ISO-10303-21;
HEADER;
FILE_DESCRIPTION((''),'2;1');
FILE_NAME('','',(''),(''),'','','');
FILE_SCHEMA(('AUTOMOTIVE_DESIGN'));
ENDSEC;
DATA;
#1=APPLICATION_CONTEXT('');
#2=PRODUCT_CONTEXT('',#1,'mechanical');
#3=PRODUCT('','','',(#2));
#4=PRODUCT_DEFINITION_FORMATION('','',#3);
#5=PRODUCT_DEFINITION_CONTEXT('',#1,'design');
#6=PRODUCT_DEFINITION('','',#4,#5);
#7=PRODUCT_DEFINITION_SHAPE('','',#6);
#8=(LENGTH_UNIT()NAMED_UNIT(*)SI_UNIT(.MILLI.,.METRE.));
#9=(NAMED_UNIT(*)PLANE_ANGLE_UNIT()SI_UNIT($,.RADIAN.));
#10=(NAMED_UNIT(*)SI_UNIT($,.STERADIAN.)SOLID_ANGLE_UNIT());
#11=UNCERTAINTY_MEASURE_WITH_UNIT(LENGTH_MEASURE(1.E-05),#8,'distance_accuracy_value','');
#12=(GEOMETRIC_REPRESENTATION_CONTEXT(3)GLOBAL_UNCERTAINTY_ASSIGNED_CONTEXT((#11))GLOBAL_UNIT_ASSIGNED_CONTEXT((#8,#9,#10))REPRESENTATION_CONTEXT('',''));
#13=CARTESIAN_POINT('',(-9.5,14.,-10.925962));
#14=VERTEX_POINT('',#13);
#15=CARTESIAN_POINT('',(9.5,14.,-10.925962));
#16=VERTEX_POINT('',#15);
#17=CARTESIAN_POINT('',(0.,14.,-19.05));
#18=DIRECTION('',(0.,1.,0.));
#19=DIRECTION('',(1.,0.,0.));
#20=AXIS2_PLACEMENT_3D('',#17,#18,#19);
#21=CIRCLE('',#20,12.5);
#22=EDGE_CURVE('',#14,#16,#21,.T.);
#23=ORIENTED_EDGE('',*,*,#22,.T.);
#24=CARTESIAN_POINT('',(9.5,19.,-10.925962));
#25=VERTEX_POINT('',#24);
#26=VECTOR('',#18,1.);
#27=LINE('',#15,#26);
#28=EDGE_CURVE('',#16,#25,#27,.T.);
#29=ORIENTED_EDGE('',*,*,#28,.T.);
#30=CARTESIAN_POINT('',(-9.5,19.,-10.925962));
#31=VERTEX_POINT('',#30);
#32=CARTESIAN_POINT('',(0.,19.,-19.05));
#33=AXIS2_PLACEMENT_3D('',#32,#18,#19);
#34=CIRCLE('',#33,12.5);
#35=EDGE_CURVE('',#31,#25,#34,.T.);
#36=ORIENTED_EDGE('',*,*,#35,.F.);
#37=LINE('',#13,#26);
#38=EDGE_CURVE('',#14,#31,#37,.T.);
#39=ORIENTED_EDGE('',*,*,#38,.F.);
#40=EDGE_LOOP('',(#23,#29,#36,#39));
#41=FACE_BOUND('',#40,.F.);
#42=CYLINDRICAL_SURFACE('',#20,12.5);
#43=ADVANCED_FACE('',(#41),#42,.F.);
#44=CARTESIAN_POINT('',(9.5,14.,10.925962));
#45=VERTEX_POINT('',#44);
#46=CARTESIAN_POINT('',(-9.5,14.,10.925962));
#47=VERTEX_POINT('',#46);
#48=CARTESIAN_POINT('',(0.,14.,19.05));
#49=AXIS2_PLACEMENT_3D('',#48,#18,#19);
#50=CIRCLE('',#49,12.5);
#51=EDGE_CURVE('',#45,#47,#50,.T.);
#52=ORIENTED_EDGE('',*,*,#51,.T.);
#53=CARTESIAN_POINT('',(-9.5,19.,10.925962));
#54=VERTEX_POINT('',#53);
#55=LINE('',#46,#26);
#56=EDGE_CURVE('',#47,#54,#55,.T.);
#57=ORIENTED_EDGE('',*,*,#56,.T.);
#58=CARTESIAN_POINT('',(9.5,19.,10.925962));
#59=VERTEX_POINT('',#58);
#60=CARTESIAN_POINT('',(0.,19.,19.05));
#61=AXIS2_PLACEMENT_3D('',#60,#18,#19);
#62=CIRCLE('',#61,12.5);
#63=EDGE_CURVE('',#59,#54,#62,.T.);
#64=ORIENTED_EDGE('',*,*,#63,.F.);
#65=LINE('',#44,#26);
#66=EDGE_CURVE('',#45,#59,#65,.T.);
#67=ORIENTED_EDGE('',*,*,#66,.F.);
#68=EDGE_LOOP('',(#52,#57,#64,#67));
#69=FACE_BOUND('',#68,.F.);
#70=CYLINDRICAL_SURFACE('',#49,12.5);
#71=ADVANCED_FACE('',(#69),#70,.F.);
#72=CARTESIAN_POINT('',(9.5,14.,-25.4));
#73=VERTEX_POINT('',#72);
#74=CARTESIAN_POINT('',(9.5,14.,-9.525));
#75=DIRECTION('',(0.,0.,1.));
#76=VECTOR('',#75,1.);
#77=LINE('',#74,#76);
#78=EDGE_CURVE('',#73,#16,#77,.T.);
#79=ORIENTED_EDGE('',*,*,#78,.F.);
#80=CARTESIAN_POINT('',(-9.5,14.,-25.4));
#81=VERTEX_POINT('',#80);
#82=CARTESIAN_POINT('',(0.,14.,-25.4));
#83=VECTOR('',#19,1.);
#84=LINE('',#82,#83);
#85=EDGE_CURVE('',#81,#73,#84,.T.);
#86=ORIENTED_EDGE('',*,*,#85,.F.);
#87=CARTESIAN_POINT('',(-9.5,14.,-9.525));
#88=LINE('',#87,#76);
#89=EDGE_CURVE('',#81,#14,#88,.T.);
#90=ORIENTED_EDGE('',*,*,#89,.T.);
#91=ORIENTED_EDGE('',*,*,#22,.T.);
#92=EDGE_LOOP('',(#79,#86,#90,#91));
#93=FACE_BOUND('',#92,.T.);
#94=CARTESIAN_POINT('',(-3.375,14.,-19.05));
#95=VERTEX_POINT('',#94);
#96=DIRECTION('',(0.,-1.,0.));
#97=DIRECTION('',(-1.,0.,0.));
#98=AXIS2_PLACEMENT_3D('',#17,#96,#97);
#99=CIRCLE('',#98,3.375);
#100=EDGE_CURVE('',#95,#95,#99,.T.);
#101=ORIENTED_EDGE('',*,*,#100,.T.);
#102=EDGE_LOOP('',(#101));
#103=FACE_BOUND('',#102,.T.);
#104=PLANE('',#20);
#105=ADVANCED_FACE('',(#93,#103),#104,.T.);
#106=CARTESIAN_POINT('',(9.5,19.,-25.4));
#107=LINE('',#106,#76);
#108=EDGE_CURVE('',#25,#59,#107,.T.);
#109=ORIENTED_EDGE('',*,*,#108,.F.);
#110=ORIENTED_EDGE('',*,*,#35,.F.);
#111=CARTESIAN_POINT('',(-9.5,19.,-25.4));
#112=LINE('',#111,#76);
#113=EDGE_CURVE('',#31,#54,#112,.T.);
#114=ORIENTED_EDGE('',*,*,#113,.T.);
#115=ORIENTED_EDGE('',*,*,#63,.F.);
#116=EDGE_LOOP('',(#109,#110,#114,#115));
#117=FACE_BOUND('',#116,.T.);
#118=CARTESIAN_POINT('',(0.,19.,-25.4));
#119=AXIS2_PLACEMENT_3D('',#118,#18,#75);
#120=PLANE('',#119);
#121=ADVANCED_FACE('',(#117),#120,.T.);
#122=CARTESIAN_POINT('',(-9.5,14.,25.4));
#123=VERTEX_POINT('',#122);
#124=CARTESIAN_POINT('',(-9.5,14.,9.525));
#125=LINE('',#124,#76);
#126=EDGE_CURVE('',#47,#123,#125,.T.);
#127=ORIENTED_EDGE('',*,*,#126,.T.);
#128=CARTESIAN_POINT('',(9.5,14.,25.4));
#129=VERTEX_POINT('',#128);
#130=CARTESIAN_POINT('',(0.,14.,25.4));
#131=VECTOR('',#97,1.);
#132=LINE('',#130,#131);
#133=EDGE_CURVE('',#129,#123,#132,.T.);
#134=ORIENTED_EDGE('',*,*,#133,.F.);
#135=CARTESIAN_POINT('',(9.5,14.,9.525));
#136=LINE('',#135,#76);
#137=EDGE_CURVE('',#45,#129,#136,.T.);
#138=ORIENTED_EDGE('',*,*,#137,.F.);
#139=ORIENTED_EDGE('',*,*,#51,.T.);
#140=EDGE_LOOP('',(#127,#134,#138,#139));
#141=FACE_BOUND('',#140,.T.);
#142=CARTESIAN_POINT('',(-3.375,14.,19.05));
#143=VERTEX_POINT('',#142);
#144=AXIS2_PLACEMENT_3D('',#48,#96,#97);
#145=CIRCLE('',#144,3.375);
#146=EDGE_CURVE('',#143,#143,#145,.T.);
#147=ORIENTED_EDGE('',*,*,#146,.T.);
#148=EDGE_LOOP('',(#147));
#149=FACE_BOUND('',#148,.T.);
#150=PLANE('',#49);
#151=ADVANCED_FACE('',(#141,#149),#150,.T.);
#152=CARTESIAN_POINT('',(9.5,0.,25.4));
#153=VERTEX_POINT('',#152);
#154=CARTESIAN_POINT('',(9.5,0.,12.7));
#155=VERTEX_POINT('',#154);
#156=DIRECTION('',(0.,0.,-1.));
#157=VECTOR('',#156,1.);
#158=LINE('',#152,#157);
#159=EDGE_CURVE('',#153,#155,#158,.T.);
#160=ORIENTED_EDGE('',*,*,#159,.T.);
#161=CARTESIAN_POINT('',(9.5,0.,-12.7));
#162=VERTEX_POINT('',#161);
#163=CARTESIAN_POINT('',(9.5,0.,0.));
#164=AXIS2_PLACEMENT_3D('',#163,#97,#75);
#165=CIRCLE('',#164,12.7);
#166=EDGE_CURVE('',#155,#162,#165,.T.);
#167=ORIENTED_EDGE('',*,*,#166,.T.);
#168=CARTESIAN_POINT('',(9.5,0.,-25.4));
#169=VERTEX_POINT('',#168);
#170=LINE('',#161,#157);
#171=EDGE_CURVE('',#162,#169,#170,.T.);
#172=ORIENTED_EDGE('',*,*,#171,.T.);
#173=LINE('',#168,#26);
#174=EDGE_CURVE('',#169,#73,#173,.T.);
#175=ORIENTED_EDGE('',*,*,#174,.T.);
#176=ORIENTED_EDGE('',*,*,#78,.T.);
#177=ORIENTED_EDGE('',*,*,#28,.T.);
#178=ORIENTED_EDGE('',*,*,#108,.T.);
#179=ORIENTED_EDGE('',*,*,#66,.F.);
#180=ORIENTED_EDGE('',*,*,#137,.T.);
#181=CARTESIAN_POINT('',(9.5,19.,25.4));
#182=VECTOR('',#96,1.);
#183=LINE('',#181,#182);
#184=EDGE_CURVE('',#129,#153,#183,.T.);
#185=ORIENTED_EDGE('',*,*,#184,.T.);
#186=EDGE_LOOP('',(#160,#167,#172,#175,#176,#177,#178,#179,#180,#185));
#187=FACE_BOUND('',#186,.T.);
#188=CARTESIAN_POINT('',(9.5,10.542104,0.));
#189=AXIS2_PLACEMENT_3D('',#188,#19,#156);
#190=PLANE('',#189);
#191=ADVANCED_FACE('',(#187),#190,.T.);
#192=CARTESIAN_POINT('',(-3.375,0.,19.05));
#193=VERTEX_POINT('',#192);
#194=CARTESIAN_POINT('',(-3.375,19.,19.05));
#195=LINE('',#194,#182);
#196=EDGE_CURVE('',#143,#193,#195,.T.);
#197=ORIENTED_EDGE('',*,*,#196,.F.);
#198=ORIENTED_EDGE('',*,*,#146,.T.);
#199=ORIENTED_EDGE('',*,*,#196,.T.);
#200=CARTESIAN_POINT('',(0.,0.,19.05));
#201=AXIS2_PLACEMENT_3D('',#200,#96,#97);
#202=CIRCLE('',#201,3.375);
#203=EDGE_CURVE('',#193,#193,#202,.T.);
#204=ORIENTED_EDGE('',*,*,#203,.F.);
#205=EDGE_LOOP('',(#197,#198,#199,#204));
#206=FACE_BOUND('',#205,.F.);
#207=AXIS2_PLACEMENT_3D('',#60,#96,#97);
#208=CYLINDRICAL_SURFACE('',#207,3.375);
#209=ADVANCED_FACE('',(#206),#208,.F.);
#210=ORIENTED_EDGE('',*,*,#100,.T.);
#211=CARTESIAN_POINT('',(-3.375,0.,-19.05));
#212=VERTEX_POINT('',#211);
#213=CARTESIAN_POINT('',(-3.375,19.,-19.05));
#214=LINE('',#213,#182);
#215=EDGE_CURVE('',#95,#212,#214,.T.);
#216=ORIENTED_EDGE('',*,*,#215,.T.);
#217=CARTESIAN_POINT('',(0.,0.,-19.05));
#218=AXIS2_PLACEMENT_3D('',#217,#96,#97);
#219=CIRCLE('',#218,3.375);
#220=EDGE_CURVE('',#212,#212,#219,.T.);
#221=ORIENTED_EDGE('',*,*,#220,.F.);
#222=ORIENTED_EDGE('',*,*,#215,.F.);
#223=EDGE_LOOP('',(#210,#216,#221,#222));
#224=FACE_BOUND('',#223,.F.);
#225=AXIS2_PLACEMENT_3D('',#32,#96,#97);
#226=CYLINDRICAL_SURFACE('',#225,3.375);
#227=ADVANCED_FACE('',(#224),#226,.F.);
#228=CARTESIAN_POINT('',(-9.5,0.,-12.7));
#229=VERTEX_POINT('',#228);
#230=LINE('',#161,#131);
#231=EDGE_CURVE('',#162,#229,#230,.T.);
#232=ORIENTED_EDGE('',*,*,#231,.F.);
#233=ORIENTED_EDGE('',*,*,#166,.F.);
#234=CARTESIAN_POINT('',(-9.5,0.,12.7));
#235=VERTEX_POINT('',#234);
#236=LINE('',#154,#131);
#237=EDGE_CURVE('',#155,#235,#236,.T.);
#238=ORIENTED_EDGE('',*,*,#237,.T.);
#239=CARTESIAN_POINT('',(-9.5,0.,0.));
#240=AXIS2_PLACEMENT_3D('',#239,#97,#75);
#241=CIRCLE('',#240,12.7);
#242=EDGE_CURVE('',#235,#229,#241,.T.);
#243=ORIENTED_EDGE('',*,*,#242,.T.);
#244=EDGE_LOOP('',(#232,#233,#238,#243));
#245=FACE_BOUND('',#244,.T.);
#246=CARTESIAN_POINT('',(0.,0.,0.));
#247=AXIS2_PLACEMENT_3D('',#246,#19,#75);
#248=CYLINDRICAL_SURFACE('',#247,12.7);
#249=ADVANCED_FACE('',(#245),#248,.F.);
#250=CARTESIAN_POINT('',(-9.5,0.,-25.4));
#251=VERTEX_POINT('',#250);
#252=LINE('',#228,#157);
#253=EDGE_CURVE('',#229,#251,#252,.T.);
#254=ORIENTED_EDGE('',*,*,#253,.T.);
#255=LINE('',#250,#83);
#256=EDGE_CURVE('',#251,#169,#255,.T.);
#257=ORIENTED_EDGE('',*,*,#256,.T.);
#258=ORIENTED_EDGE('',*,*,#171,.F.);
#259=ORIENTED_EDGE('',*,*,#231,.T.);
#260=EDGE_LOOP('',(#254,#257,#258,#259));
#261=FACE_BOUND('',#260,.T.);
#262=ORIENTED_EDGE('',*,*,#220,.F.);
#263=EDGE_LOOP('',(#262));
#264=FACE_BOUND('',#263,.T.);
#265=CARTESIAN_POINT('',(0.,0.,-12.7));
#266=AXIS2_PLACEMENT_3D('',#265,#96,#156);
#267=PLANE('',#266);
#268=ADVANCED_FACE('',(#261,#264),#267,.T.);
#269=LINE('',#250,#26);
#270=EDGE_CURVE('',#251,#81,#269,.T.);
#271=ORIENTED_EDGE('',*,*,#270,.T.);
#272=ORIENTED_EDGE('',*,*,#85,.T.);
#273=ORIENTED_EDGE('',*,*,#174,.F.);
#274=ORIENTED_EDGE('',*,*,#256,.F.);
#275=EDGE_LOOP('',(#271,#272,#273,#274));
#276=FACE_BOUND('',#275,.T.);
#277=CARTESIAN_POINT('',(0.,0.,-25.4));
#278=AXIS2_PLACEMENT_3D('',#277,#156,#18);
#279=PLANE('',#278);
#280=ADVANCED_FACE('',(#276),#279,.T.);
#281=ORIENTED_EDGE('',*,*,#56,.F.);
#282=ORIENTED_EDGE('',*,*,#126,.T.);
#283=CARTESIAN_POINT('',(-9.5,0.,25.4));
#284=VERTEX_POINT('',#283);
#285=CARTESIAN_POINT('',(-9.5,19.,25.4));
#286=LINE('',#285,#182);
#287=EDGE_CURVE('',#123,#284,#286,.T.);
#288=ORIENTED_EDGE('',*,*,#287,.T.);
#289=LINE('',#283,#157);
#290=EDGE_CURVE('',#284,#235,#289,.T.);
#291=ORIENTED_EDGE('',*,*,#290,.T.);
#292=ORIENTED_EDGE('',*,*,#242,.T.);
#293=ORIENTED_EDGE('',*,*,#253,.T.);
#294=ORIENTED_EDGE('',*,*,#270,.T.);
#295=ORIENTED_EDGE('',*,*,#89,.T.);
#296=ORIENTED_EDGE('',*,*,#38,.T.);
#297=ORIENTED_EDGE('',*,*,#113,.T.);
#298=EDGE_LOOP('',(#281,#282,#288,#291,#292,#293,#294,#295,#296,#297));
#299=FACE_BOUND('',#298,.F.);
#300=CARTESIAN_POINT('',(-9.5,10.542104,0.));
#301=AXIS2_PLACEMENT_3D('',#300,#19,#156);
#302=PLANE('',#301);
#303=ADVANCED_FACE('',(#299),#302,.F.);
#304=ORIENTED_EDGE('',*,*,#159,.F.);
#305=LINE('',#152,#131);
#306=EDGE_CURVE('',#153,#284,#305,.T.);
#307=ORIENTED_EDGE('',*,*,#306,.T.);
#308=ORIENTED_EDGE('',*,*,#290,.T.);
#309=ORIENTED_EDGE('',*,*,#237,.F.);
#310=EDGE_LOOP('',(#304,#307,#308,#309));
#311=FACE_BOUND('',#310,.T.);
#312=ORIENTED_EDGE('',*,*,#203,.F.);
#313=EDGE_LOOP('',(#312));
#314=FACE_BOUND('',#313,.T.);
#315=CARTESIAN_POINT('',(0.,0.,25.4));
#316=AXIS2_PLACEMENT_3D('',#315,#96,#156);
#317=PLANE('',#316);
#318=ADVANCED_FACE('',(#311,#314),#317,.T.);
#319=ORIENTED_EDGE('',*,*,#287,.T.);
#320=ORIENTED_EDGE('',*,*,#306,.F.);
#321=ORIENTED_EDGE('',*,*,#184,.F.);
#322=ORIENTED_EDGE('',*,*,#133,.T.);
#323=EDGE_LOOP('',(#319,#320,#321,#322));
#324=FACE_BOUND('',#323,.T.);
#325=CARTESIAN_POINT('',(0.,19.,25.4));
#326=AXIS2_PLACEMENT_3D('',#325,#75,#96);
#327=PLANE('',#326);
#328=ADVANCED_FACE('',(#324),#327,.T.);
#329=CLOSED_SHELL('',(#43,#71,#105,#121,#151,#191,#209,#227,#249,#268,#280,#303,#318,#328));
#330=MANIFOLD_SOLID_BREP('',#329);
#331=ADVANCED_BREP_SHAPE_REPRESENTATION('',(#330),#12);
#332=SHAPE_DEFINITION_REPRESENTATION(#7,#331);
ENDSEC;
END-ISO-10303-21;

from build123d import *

# Parameters (mm, degrees)
BOSS_EXTRUDE1_DEPTH                           = 9.5
CBORE_FOR_M12_HEX_HEAD_CAP_SCREW1_D           = 6.75
CBORE_FOR_M12_HEX_HEAD_CAP_SCREW1_CBORE_D     = 25
CBORE_FOR_M12_HEX_HEAD_CAP_SCREW1_CBORE_DEPTH = 5


with BuildPart() as part:
    # Sketch1 → Boss-Extrude1 (new body, symmetric)
    with BuildSketch(Plane(origin=(0, 0, 0), x_dir=(0, 0, -1), z_dir=(1, 0, 0))):
        with BuildLine():
            Line((12.7, 0), (25.4, 0))
            Line((25.4, 0), (25.4, 19))
            Line((25.4, 19), (-25.4, 19))
            Line((-25.4, 19), (-25.4, 0))
            Line((-25.4, 0), (-12.7, 0))
            ThreePointArc((-12.7, 0), (0, 12.7), (12.7, 0))
        make_face()
    extrude(amount=BOSS_EXTRUDE1_DEPTH, both=True)

    # CBORE for M12 Hex Head Cap Screw1 (through all)
    with Locations(Plane(origin=(0, 19, 0), x_dir=(1, 0, 0), z_dir=(0, 1, 0))):
        with Locations((0, -19.05), (0, 19.05)):
            CounterBoreHole(CBORE_FOR_M12_HEX_HEAD_CAP_SCREW1_D / 2, CBORE_FOR_M12_HEX_HEAD_CAP_SCREW1_CBORE_D / 2, CBORE_FOR_M12_HEX_HEAD_CAP_SCREW1_CBORE_DEPTH)


solid = part.part
